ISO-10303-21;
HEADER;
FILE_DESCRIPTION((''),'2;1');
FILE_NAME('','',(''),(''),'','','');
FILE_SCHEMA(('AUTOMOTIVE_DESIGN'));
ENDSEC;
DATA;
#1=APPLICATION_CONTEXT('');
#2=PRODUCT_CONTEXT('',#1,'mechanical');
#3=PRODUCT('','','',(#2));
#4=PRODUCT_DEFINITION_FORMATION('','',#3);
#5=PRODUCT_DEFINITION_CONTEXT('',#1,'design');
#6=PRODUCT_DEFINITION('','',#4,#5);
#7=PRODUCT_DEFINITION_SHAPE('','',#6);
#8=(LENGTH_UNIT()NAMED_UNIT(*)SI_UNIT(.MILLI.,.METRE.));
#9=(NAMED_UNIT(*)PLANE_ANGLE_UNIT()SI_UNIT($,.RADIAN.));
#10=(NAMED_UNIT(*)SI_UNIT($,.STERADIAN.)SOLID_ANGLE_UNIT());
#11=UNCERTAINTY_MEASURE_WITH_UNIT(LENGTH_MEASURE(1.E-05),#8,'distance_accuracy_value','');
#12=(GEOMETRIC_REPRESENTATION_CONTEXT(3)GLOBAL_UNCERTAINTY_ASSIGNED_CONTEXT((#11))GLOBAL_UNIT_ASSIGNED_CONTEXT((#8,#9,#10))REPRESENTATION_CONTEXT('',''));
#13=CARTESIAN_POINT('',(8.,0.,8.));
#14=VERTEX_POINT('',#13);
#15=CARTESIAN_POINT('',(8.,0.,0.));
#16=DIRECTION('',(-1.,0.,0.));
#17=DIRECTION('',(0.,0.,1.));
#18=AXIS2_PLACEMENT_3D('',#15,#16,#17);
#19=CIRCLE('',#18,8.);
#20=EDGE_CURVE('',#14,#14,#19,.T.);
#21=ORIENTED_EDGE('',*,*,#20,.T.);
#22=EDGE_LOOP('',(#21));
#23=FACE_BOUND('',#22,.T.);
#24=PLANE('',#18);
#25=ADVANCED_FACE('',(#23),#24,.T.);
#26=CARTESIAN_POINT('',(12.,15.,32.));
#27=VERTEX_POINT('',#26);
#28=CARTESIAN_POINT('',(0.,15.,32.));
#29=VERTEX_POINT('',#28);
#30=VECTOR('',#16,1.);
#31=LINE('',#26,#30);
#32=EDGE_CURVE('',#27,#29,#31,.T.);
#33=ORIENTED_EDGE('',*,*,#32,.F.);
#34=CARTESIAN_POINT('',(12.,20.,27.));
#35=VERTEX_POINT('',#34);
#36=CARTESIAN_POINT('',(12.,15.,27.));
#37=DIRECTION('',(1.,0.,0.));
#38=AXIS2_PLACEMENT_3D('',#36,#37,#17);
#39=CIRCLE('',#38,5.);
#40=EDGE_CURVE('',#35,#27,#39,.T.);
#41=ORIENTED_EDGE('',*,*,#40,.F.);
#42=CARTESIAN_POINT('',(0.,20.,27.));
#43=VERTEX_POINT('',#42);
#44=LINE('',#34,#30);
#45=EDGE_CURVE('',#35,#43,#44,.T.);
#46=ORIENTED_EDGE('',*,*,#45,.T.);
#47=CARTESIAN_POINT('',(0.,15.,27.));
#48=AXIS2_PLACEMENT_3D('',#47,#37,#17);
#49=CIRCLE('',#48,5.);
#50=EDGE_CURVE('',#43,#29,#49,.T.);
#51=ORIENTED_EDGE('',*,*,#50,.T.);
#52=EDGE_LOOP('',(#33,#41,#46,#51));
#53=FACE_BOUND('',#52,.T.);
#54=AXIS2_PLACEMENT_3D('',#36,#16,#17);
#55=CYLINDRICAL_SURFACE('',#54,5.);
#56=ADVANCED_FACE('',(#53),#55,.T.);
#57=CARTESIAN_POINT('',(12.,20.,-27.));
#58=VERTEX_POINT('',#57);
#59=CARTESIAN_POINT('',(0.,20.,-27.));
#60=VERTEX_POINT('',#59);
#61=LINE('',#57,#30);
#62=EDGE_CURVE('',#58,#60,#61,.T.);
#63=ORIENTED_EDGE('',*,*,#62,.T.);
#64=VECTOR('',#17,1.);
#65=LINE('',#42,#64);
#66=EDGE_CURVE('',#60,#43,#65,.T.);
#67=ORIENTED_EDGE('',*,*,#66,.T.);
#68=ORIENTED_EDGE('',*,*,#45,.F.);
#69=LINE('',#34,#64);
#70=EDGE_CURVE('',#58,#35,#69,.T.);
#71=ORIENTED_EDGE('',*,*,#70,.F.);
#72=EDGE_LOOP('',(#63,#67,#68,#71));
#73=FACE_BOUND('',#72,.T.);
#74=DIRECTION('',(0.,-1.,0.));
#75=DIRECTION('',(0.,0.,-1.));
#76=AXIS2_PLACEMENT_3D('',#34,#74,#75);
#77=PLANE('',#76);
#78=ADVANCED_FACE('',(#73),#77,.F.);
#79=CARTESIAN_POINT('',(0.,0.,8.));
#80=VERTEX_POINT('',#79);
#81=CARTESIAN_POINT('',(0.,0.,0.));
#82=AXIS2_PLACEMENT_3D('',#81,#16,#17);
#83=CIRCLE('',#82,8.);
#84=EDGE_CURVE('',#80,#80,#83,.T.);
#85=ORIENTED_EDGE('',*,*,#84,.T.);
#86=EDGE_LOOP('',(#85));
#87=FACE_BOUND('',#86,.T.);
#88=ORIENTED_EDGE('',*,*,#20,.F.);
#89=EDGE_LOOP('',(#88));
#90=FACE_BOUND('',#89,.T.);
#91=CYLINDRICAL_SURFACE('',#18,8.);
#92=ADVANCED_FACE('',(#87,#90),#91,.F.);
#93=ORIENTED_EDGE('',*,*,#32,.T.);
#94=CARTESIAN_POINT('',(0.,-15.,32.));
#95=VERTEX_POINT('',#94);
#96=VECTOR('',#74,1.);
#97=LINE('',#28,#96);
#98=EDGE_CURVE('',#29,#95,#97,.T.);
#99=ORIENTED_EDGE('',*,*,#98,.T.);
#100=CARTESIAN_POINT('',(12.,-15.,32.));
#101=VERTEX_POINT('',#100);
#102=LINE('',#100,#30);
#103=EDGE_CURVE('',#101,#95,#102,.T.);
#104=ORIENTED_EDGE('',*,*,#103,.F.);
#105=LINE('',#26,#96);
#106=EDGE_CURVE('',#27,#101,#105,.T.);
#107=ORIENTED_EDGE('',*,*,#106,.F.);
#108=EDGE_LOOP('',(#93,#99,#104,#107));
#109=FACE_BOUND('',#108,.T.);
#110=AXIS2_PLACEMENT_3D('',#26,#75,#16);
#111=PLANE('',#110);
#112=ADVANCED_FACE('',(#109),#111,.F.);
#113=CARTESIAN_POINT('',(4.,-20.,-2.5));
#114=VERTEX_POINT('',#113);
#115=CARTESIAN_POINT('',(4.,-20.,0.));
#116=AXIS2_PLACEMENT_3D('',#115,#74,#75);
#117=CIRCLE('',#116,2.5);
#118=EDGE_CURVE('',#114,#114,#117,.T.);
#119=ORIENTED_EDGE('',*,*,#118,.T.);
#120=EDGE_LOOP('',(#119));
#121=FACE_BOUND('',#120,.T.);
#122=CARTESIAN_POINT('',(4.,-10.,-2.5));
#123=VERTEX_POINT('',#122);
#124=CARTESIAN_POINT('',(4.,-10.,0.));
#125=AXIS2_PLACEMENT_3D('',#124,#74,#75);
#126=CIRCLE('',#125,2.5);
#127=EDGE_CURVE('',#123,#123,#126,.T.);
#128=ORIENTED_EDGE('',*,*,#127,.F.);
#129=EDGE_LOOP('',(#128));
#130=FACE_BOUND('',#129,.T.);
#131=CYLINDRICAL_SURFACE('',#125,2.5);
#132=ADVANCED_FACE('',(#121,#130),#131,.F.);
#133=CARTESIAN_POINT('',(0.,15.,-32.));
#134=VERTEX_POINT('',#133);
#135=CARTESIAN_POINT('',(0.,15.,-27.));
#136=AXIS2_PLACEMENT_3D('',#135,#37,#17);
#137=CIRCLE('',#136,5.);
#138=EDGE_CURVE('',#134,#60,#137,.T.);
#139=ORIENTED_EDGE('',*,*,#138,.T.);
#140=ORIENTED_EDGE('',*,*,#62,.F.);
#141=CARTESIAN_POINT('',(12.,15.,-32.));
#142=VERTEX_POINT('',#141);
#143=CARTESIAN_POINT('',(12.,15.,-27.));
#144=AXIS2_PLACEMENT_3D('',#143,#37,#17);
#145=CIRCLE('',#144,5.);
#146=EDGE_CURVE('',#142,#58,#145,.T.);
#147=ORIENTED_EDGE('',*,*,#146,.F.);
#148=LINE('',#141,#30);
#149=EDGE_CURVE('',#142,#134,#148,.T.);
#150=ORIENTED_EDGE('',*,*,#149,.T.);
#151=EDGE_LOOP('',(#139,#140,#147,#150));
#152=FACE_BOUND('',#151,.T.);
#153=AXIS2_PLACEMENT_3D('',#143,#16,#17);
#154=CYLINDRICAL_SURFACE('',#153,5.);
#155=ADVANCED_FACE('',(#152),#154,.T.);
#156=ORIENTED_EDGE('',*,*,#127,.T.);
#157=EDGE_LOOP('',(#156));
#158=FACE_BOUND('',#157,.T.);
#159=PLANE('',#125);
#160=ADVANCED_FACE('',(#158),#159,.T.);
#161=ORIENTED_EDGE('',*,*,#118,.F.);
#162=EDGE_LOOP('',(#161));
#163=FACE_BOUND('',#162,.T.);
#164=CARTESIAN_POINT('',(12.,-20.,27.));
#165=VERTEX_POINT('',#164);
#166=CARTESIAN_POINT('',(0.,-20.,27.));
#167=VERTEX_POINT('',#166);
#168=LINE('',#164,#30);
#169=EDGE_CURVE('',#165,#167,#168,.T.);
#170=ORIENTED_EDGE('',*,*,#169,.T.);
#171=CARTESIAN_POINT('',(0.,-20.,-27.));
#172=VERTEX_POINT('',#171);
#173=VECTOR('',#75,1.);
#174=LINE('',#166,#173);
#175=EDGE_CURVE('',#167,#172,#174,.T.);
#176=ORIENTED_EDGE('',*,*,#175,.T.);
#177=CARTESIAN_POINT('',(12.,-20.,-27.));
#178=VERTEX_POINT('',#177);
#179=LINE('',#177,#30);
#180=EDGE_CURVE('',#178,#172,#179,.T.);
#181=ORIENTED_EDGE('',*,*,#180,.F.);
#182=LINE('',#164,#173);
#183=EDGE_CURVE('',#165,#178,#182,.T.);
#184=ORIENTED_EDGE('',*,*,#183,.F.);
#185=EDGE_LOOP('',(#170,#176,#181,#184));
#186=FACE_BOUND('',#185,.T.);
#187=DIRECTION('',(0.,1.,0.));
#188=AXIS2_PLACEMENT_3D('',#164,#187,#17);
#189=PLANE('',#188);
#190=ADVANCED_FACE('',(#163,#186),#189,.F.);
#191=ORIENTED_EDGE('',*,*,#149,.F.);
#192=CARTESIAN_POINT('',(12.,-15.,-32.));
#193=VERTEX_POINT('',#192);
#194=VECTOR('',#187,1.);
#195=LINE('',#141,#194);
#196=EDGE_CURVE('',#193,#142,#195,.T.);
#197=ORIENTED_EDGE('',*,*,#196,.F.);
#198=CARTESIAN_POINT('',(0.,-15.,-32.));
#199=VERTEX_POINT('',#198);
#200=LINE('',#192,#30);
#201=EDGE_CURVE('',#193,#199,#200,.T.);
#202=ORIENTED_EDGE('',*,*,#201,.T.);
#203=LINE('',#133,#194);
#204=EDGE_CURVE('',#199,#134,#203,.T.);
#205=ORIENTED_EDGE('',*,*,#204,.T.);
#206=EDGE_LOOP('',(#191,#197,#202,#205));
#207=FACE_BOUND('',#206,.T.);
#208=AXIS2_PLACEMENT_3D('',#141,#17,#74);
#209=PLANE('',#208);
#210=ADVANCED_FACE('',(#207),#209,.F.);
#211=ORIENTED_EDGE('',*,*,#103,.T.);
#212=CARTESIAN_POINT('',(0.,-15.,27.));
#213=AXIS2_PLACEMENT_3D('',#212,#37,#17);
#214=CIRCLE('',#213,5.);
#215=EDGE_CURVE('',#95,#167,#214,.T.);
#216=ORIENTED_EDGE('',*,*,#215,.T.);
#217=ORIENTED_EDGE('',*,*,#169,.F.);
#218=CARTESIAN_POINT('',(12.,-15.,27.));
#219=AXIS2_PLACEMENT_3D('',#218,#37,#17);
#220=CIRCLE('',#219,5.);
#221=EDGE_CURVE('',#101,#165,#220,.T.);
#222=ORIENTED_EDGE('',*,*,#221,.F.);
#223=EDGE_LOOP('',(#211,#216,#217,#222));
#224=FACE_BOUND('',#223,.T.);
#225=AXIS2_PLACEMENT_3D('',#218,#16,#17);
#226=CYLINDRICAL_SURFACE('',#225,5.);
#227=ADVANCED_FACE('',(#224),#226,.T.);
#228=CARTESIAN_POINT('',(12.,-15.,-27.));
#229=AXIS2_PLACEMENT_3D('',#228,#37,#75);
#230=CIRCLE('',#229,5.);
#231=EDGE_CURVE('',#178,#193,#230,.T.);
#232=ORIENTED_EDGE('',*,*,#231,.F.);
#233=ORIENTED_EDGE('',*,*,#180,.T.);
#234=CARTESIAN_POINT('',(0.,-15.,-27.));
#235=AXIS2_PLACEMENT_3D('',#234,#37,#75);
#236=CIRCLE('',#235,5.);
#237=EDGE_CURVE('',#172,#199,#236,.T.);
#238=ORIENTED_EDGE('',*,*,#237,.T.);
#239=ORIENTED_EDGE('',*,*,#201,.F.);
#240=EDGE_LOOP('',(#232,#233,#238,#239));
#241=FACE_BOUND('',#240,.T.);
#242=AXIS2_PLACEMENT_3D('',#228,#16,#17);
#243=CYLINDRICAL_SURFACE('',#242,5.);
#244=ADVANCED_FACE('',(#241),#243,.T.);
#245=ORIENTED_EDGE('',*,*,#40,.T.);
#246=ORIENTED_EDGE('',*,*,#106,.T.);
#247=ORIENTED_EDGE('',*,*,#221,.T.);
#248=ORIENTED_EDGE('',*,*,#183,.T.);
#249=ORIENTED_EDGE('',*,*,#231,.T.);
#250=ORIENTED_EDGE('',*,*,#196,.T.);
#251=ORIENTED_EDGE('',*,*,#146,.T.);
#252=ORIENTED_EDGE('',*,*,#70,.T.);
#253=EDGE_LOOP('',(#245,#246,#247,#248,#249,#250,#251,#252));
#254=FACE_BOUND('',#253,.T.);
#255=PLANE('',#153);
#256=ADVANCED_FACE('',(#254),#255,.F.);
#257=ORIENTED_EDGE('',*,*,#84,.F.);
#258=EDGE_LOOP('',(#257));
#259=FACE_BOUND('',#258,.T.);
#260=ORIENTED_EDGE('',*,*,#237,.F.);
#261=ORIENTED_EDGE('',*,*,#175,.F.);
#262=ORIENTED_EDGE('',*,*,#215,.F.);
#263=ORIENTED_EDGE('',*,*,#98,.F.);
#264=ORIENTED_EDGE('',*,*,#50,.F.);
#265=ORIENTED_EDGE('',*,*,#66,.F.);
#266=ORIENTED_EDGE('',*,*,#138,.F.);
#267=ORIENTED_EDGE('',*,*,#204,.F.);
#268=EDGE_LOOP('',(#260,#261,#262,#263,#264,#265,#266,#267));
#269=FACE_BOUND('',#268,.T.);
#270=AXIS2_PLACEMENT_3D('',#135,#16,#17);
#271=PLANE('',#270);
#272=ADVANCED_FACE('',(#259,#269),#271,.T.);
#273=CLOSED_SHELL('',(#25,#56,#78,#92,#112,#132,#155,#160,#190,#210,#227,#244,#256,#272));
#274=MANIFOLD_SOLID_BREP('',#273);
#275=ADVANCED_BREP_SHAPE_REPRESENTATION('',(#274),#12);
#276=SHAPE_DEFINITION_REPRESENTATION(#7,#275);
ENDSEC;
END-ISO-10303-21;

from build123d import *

# Parameters (mm, degrees)
EXTRUDE_1_DEPTH     = 12
SKETCH_2_R          = 8
CUT_EXTRUDE_1_DEPTH = 8
SKETCH_3_R          = 2.5
CUT_EXTRUDE_2_DEPTH = 10


with BuildPart() as part:
    # 草图1 → 凸台-拉伸1 (new body)
    with BuildSketch(Plane(origin=(0, 0, 0), x_dir=(0, 0, -1), z_dir=(1, 0, 0))):
        with BuildLine():
            Line((-27, 20), (27, 20))
            ThreePointArc((27, 20), (30.535533906, 18.535533906), (32, 15))
            Line((32, 15), (32, -15))
            ThreePointArc((32, -15), (30.535533906, -18.535533906), (27, -20))
            Line((27, -20), (-27, -20))
            ThreePointArc((-27, -20), (-30.535533906, -18.535533906), (-32, -15))
            Line((-32, -15), (-32, 15))
            ThreePointArc((-32, 15), (-30.535533906, 18.535533906), (-27, 20))
        make_face()
    extrude(amount=EXTRUDE_1_DEPTH)

    # 草图2 → 切除-拉伸1 (cut)
    with BuildSketch(Plane.ZY):
        Circle(SKETCH_2_R)
    extrude(amount=-CUT_EXTRUDE_1_DEPTH, mode=Mode.SUBTRACT)

    # 草图3 → 切除-拉伸2 (cut)
    with BuildSketch(Plane.XZ.offset(20)):
        with Locations((4, 0)):
            Circle(SKETCH_3_R)
    extrude(amount=-CUT_EXTRUDE_2_DEPTH, mode=Mode.SUBTRACT)


solid = part.part
